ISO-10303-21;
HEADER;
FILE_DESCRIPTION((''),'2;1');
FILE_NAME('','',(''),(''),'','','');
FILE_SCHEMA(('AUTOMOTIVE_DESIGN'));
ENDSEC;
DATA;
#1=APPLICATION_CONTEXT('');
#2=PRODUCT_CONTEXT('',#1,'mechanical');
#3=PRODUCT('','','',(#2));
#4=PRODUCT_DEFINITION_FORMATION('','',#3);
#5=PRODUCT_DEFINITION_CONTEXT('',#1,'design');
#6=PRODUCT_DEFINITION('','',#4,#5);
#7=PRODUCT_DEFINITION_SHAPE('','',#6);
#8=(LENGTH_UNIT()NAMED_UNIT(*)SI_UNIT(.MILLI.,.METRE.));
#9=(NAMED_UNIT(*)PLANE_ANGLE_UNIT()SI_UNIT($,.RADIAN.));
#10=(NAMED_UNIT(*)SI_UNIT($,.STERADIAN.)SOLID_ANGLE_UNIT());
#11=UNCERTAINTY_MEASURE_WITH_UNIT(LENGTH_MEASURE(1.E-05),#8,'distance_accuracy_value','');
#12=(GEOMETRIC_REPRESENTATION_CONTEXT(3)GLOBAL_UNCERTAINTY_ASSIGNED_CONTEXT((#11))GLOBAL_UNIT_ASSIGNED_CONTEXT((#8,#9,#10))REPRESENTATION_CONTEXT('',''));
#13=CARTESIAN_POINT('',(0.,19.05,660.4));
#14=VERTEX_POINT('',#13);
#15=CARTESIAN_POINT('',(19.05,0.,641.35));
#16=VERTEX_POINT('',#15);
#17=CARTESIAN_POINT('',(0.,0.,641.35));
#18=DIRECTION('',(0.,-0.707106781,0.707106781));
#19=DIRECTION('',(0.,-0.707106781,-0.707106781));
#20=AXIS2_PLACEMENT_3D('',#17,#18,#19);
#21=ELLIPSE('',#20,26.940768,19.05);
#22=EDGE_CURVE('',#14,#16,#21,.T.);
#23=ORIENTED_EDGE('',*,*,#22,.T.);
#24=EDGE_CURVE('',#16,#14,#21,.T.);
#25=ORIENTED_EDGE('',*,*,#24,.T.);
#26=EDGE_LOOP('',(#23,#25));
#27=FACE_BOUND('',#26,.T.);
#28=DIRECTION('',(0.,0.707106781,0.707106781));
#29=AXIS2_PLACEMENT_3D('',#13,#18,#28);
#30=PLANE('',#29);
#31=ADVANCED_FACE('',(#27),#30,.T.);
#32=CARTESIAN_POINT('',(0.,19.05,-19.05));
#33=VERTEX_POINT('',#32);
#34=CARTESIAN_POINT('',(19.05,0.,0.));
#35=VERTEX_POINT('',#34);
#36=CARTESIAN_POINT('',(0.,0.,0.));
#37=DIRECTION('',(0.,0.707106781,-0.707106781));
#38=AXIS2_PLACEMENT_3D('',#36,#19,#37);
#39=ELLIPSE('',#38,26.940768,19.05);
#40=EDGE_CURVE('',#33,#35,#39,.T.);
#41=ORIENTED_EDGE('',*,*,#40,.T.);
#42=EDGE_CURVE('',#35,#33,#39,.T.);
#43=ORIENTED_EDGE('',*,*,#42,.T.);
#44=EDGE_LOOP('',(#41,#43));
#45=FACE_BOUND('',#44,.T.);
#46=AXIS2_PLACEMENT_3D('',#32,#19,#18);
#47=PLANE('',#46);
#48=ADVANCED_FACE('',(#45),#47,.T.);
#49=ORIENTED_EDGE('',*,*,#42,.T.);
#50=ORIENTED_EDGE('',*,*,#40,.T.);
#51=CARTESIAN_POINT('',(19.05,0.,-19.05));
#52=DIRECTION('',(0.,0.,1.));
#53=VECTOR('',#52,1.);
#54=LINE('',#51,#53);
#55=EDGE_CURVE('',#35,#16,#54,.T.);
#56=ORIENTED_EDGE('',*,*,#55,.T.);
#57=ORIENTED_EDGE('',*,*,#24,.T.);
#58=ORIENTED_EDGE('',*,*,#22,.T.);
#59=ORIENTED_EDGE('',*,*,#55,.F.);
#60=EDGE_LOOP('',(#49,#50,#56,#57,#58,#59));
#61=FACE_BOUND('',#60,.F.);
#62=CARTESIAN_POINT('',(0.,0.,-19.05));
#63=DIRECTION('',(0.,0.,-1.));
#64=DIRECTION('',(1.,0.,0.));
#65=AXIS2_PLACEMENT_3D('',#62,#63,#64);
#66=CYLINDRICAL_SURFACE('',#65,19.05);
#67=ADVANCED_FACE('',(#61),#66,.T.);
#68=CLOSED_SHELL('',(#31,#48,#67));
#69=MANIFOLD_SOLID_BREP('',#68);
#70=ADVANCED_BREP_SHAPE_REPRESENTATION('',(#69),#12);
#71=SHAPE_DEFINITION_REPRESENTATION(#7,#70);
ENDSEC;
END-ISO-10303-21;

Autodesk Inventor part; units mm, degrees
ref_plane "Start plane" through (0, 0, -19.05) normal (0, 0, 1) x (1, 0, 0)
ref_plane "End plane" through (0, 0, 660.4) normal (0, 0, 1) x (1, 0, 0)
sketch "Sketch" plane through (0, 0, 0) normal (0, 0, 1) x (1, 0, 0)
  circle A0 centre (0, 0) radius 19.05
  dimension "d0" = 38.1
extrude "Body" add sketch "Sketch" along normal up to surface (679.45 mm away) from surface at -19.05
sketch "Sketch2" plane through (0, 0, 0) normal (0, 0, 1) x (1, 0, 0)
  line L0 (0, 0) -> (10, 0)
ref_plane "Work Plane3" through (0, 0, 0) normal (0, -1, 0) x (1, 0, 0)
sketch "Sketch3" plane through (0, 0, 0) normal (0, -1, 0) x (1, 0, 0)
  line L0 (-2, -19.05) -> (12, -19.05)
  line L1 (-2, 660.4) -> (12, 660.4)
  dimension "d7" = 679.45
ref_plane "Work Plane4" through (0, 19.05, 660.4) normal (0, -0.7071, 0.7071) x (1, 0, 0)
split "Split1" plane through (0, 19.05, 660.4) removes the side toward (0, -0.7071, 0.7071)
ref_plane "Work Plane5" through (0, 19.05, -19.05) normal (0, -0.7071, -0.7071) x (1, 0, 0)
split "Split2" plane through (0, 19.05, -19.05) removes the side toward (0, -0.7071, -0.7071)
equation "\"d0\" = Diam"
equation "\"d1\" = G_L"
equation "\"Diam\" = 38.1"
equation "\"G_L\" = d7"
equation "\"G_OFFSET_START\" = 19.05"
equation "\"G_OFFSET_END\" = 19.05"
equation "\"d4\" = -G_OFFSET_START"
equation "\"d5\" = G_OFFSET_END + B_L"
equation "\"B_L\" = 641.35"
properties part number "ANSI/AISC Rolled Steel - 1 1/2-26.75" material "Steel, Mild"
